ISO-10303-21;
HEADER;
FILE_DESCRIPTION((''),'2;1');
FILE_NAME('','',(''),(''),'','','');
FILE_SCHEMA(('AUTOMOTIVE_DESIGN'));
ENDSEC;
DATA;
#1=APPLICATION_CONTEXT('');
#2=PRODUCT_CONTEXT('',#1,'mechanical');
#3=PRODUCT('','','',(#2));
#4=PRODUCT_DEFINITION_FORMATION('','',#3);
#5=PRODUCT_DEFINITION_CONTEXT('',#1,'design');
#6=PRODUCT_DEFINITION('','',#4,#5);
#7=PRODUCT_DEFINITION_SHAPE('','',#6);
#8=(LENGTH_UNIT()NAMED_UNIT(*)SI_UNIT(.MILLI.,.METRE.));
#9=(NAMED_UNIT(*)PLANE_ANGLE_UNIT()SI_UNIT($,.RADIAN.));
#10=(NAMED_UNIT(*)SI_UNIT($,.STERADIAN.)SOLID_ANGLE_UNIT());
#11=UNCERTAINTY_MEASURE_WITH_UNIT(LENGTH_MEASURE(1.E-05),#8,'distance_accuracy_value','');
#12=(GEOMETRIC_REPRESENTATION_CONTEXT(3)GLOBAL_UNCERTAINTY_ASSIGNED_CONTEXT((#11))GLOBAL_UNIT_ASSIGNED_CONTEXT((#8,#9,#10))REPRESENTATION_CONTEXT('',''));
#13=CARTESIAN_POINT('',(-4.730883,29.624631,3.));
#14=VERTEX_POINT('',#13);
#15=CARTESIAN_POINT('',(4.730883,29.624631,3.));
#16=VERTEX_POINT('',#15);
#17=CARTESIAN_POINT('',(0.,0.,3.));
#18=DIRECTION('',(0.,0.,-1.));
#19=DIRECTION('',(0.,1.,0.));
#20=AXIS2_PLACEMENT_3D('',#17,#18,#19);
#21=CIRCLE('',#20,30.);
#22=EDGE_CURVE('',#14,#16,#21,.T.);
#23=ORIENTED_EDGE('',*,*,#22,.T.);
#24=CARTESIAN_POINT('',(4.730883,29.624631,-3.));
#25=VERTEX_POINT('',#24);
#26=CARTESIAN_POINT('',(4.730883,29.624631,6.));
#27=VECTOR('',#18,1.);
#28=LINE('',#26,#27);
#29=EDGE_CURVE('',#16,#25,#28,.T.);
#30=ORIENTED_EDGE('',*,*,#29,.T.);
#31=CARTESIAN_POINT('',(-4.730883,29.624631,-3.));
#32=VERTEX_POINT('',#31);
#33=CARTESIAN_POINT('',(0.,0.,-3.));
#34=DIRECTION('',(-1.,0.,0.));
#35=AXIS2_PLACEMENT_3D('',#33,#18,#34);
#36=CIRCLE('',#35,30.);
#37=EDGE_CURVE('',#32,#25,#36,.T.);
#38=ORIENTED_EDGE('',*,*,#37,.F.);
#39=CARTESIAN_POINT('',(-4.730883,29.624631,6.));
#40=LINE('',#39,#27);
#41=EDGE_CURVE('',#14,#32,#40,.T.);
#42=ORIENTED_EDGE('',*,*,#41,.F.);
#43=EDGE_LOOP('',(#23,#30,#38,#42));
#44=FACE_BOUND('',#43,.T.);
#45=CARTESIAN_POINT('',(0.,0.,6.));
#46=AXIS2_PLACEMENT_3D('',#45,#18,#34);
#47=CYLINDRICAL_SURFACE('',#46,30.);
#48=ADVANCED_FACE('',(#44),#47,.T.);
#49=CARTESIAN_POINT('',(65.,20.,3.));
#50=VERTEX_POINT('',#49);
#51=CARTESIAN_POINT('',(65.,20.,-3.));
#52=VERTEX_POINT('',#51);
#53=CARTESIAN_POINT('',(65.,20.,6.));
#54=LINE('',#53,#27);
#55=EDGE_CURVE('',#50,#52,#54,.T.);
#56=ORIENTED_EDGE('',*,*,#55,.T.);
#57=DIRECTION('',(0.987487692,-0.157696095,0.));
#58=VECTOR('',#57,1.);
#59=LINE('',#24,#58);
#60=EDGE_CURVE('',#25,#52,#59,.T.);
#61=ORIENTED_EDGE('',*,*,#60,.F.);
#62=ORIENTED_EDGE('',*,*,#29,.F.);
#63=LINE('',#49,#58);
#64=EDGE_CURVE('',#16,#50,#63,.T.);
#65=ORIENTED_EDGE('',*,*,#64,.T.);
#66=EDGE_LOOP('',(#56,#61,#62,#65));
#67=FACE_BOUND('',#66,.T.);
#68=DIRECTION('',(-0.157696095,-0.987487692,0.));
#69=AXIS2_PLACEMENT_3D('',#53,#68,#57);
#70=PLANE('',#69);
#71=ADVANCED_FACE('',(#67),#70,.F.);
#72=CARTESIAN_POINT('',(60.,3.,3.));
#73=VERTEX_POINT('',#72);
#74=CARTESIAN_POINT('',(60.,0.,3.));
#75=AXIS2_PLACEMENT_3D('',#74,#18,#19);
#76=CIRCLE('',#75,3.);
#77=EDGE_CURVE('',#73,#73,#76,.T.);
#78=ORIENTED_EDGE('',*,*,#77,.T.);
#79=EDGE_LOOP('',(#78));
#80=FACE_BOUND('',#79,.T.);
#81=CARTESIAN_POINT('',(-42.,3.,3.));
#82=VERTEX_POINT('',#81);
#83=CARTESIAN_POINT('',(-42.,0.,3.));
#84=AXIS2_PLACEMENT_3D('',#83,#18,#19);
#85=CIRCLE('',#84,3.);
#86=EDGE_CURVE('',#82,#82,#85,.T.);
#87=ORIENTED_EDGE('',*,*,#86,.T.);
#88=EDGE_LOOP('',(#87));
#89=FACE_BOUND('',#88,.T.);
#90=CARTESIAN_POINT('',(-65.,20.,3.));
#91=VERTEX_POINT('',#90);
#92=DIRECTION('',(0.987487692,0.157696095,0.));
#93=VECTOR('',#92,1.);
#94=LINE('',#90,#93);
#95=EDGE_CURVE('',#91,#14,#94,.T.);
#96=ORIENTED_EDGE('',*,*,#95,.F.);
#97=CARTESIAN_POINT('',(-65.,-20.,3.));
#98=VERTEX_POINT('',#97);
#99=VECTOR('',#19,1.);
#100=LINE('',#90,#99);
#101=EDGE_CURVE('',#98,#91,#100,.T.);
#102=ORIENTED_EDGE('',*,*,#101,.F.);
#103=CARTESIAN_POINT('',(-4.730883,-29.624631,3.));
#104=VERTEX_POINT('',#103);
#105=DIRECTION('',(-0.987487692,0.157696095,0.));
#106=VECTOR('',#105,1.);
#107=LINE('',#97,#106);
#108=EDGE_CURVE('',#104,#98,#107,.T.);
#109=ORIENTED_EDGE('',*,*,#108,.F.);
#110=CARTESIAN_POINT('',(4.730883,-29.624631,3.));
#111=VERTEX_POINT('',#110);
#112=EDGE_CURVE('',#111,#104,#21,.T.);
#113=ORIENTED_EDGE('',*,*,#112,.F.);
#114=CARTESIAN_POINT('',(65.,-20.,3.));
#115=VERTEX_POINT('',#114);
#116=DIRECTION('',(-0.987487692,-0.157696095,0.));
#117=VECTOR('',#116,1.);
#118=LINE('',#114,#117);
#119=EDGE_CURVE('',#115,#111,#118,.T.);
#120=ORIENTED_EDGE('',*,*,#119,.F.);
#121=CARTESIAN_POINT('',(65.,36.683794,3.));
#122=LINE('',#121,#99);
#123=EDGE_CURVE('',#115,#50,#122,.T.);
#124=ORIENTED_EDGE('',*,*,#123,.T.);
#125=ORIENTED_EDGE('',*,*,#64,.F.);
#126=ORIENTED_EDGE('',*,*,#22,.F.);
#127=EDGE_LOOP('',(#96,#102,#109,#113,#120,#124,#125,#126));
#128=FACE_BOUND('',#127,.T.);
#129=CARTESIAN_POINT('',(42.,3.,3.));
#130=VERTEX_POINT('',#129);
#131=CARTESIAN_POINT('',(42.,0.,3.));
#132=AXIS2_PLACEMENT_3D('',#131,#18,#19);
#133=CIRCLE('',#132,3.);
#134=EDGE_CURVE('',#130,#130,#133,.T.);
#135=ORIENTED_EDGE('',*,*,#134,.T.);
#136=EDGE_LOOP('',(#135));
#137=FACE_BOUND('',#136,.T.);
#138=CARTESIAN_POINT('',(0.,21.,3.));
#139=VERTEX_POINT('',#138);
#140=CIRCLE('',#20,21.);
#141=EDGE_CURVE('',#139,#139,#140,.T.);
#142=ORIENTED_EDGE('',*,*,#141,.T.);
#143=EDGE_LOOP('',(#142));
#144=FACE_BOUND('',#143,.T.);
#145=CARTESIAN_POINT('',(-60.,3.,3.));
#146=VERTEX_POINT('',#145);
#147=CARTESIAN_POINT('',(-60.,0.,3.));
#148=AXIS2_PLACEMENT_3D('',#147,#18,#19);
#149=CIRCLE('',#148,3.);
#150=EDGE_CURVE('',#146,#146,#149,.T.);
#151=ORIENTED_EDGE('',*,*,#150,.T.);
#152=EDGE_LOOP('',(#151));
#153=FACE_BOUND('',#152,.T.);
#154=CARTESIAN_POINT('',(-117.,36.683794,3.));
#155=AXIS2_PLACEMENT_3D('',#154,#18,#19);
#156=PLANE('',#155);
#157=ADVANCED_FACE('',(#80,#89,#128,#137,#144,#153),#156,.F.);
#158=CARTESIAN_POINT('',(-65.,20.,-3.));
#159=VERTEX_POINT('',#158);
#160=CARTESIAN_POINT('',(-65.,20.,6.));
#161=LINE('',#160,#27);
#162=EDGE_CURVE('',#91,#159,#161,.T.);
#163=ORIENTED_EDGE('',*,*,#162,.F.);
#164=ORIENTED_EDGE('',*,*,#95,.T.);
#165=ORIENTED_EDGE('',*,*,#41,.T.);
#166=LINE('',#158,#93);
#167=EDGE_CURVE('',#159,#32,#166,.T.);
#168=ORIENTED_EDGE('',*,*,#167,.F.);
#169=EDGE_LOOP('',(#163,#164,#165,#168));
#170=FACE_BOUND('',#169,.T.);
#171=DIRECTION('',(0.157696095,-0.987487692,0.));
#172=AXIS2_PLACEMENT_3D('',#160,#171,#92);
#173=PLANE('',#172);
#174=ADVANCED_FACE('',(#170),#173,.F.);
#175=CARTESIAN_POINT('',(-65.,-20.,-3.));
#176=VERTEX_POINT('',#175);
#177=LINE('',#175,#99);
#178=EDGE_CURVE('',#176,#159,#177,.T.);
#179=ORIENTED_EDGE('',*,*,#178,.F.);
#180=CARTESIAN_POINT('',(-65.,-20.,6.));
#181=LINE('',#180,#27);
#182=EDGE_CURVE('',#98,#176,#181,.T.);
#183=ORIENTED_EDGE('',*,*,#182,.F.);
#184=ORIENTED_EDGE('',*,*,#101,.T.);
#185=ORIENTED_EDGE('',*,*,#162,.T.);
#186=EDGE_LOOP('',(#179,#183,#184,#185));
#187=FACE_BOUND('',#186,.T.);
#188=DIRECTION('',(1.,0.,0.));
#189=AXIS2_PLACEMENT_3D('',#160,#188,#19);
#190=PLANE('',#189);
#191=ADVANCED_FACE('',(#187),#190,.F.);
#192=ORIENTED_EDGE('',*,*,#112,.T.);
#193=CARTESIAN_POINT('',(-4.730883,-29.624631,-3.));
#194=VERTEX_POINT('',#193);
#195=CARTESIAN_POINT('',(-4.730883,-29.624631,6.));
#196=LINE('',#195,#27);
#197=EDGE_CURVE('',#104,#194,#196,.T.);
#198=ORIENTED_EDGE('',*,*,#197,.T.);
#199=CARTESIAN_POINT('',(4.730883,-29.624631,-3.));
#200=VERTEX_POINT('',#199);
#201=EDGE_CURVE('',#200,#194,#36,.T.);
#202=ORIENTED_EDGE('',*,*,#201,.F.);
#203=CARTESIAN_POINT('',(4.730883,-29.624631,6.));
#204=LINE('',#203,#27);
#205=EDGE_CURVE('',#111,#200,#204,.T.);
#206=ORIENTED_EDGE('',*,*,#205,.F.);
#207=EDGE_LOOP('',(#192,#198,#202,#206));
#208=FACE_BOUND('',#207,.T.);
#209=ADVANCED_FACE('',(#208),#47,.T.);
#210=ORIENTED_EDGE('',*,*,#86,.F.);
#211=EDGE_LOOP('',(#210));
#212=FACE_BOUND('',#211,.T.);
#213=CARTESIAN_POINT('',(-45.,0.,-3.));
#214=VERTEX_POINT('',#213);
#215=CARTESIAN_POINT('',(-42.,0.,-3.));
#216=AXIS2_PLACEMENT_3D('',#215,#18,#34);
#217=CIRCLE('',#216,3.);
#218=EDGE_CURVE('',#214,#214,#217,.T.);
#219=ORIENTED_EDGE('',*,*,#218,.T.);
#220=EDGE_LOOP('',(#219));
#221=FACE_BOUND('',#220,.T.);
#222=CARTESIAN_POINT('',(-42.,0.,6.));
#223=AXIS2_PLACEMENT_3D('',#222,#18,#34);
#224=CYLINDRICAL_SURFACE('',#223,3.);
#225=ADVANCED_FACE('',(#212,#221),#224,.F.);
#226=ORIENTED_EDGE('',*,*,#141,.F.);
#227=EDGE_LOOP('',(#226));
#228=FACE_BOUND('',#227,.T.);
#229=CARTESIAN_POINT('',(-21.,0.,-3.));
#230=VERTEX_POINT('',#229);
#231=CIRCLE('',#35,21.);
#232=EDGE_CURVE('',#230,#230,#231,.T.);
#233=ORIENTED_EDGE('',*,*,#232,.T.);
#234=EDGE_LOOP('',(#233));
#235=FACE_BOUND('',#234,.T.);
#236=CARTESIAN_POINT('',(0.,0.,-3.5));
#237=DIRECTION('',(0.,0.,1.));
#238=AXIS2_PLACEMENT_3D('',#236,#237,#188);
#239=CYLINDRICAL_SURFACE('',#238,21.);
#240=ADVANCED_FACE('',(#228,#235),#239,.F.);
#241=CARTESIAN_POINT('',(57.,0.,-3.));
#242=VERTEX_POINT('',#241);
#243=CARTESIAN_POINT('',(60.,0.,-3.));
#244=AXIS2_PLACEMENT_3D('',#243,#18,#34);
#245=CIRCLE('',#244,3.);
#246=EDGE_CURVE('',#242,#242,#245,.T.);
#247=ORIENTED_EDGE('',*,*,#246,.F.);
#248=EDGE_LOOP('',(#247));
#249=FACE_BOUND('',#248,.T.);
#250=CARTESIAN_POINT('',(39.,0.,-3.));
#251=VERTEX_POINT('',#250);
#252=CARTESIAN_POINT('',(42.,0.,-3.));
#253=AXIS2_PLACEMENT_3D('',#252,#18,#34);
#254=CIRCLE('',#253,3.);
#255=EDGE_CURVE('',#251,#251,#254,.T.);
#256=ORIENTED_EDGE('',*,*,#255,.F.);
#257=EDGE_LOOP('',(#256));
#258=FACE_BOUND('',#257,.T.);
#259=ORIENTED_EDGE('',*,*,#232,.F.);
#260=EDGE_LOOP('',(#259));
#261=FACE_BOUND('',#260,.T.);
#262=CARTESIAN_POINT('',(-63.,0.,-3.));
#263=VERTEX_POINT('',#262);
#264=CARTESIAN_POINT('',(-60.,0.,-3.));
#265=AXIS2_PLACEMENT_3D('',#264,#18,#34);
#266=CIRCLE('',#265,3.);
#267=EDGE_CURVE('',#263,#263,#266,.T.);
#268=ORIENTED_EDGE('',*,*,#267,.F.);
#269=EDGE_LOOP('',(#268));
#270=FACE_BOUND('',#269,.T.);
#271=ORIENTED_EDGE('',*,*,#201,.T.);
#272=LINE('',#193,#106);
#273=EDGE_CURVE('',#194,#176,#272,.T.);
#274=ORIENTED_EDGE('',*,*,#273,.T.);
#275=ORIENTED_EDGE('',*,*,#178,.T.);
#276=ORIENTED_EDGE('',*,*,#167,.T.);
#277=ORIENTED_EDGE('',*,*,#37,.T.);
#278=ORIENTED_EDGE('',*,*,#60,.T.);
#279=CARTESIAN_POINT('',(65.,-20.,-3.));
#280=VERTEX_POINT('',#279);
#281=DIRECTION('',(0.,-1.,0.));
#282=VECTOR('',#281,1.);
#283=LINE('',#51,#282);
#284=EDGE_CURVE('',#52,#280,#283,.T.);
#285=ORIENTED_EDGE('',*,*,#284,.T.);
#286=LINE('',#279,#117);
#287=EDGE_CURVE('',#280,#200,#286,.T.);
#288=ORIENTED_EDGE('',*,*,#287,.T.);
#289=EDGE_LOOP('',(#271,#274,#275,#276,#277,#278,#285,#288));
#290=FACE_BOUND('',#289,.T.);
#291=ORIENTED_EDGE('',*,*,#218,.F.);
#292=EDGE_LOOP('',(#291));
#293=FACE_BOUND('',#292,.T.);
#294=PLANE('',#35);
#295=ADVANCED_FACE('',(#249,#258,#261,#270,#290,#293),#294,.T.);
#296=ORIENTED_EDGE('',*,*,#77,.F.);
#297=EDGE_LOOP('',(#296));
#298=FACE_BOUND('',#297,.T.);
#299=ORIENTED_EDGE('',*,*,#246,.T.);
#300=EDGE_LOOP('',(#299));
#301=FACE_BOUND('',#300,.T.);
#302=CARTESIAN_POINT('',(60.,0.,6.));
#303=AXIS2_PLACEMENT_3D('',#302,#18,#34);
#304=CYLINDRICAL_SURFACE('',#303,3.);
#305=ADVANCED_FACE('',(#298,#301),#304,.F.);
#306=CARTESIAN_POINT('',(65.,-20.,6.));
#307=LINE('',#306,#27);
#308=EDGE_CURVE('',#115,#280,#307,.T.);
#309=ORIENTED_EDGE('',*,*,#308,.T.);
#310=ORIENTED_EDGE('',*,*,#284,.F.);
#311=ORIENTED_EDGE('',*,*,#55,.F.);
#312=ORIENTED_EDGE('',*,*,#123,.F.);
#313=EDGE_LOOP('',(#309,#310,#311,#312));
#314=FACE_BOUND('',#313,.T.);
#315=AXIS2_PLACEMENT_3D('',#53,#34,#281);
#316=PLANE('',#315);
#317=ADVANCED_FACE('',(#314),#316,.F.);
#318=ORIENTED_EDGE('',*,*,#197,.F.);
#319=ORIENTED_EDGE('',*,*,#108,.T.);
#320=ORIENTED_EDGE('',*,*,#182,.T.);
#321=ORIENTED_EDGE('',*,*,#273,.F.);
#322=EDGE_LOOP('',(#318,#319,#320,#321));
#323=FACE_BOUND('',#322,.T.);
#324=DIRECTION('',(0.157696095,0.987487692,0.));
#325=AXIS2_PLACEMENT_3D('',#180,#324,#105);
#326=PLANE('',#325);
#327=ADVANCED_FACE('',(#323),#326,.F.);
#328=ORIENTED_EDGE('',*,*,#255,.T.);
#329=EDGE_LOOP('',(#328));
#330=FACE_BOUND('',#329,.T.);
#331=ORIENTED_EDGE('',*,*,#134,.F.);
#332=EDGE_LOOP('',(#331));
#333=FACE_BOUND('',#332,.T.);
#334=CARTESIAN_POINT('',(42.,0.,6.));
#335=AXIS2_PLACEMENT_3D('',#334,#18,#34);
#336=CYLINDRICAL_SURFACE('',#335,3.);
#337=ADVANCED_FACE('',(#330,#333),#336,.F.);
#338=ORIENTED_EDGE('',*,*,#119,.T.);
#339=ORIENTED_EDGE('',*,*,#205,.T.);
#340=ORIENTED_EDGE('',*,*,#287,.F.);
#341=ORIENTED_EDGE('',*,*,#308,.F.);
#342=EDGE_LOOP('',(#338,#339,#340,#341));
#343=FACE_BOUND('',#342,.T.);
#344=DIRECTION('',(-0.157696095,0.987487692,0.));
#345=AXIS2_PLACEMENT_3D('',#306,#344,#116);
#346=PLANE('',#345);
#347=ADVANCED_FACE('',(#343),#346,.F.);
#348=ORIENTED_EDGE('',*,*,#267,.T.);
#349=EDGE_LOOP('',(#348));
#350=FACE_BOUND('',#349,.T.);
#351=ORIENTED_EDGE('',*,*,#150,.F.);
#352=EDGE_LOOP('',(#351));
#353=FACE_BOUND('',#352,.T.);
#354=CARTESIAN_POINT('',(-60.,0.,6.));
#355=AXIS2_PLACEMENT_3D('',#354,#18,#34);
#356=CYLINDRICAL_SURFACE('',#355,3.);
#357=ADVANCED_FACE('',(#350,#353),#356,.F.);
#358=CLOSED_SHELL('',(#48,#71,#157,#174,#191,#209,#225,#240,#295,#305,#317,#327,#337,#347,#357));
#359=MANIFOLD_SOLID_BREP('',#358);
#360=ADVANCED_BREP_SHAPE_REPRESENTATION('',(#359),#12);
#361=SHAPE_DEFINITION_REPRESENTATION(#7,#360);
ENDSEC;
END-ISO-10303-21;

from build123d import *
from build123d.topology import SkipClean

# Parameters (mm, degrees)
SKETCH1_R           = 3.000000000000015
SKETCH1_R_2         = 3.0000000000000013
SKETCH1_R_3         = 3.0000000000000084
SKETCH1_R_4         = 16
BOSS_EXTRUDE1_DEPTH = 6
BOSS_EXTRUDE3_START = 3.5
SKETCH3_R           = 30.000000000000057
SKETCH3_R_2         = 21
BOSS_EXTRUDE3_DEPTH = 3.5
BOSS_EXTRUDE4_START = 3.5
SKETCH4_R           = 3.000000000000015
SKETCH4_R_2         = 3.0000000000000013
SKETCH4_R_3         = 3.0000000000000084
BOSS_EXTRUDE4_DEPTH = 3.5
SKETCH5_R           = 3.000000000000015
SKETCH5_R_2         = 3.0000000000000013
SKETCH5_R_3         = 21
SKETCH5_R_4         = 3.0000000000000084
CUT_EXTRUDE1_DEPTH  = 0.5
CUT_EXTRUDE2_DEPTH  = 182.00000000000009
SKETCH7_R           = 21
CUT_EXTRUDE3_DEPTH  = 10


with BuildPart() as part:
    # Sketch1 → Boss-Extrude1 (new body)
    with BuildSketch(Plane.XY):
        with BuildLine():
            Line((-65.00000000000001, 20), (-65, -20))
            Line((-65, -20), (-4.73088284384841, -29.624630757492685))
            ThreePointArc((-4.73088284384841, -29.624630757492685), (1.516e-14, -30.000000000000014), (4.7308828438484465, -29.624630757492678))
            Line((4.7308828438484465, -29.624630757492678), (65.00000000000003, -19.99999999999992))
            Line((65.00000000000003, -19.99999999999992), (65.00000000000001, 20))
            Line((65.00000000000001, 20), (4.730882843848428, 29.624630757492728))
            ThreePointArc((4.730882843848428, 29.624630757492728), (1.84e-15, 30.00000000000006), (-4.730882843848428, 29.624630757492728))
            Line((-4.730882843848428, 29.624630757492728), (-65.00000000000001, 20))
        make_face()
        with Locations((59.99999999998411, -4.545e-13)):
            Circle(SKETCH1_R, mode=Mode.SUBTRACT)
        with Locations((42, 0)):
            Circle(SKETCH1_R_2, mode=Mode.SUBTRACT)
        with Locations(Location((-59.99999999998411, -4.545e-13, 0), (0, 0, 180))):
            Circle(SKETCH1_R_3, mode=Mode.SUBTRACT)
        with Locations(Location((-42, 0, 0), (0, 0, 180))):
            Circle(SKETCH1_R_2, mode=Mode.SUBTRACT)
        Circle(SKETCH1_R_4, mode=Mode.SUBTRACT)
    extrude(amount=BOSS_EXTRUDE1_DEPTH)

    # Sketch3 → Boss-Extrude3 (add)
    with SkipClean():  # the faces are left unmerged after this step: merging them gives an invalid solid
        with BuildSketch(Plane(origin=(0, 0, 0), x_dir=(-1, 0, 0), z_dir=(0, 0, -1)).offset(BOSS_EXTRUDE3_START)):
            Circle(SKETCH3_R)
            Circle(SKETCH3_R_2, mode=Mode.SUBTRACT)
        extrude(amount=-BOSS_EXTRUDE3_DEPTH)

    # Sketch4 → Boss-Extrude4 (add)
    # profile 1 of 2: a face of its own
    with BuildSketch(Plane(origin=(0, 0, 0), x_dir=(-1, 0, 0), z_dir=(0, 0, -1)).offset(BOSS_EXTRUDE4_START)):
        with BuildLine():
            Line((4.730882843848405, -29.624630757492703), (65, -20))
            Line((65, -20), (65.00000000000001, 20))
            Line((65.00000000000001, 20), (4.730882843848438, 29.624630757492703))
            ThreePointArc((4.730882843848438, 29.624630757492703), (30.000000000000032, -1.998e-14), (4.730882843848405, -29.624630757492703))
        make_face()
        with Locations((59.99999999998411, -4.545e-13)):
            Circle(SKETCH4_R, mode=Mode.SUBTRACT)
        with Locations((42, 0)):
            Circle(SKETCH4_R_2, mode=Mode.SUBTRACT)
    # profile 2 of 2: a face of its own
    with BuildSketch(Plane(origin=(0, 0, 0), x_dir=(-1, 0, 0), z_dir=(0, 0, -1)).offset(BOSS_EXTRUDE4_START)):
        with BuildLine():
            Line((-4.730882843848428, 29.624630757492703), (-65.00000000000001, 20))
            Line((-65.00000000000001, 20), (-65.00000000000003, -19.99999999999992))
            Line((-65.00000000000003, -19.99999999999992), (-4.730882843848441, -29.624630757492703))
            ThreePointArc((-4.730882843848441, -29.624630757492703), (-30.000000000000036, 3.67e-15), (-4.730882843848428, 29.624630757492703))
        make_face()
        with Locations((-42, 0)):
            Circle(SKETCH4_R_2, mode=Mode.SUBTRACT)
        with Locations((-59.99999999998411, -4.545e-13)):
            Circle(SKETCH4_R_3, mode=Mode.SUBTRACT)
    extrude(amount=-BOSS_EXTRUDE4_DEPTH)

    # Sketch5 → Cut-Extrude1 (cut)
    with BuildSketch(Plane(origin=(0, 0, -3.5), x_dir=(-1, 0, 0), z_dir=(0, 0, -1))):
        with BuildLine():
            Line((-4.730882843848428, 29.624630757492703), (-65.00000000000001, 20))
            Line((-65.00000000000001, 20), (-65.00000000000003, -19.99999999999992))
            Line((-65.00000000000003, -19.99999999999992), (-4.73088284384847, -29.6246307574927))
            ThreePointArc((-4.73088284384847, -29.6246307574927), (-3.147e-14, -30.00000000000004), (4.730882843848405, -29.624630757492703))
            Line((4.730882843848405, -29.624630757492703), (65, -20))
            Line((65, -20), (65.00000000000001, 20))
            Line((65.00000000000001, 20), (4.730882843848431, 29.624630757492703))
            ThreePointArc((4.730882843848431, 29.624630757492703), (1.84e-15, 30.000000000000036), (-4.730882843848428, 29.624630757492703))
        make_face()
        with Locations((59.99999999998411, -4.545e-13)):
            Circle(SKETCH5_R, mode=Mode.SUBTRACT)
        with Locations((42, 0)):
            Circle(SKETCH5_R_2, mode=Mode.SUBTRACT)
        Circle(SKETCH5_R_3, mode=Mode.SUBTRACT)
        with Locations((-42, 0)):
            Circle(SKETCH5_R_2, mode=Mode.SUBTRACT)
        with Locations((-59.99999999998411, -4.545e-13)):
            Circle(SKETCH5_R_4, mode=Mode.SUBTRACT)
    extrude(amount=-CUT_EXTRUDE1_DEPTH, mode=Mode.SUBTRACT)

    # Sketch6 → Cut-Extrude2 (cut)
    with BuildSketch(Plane(origin=(65.00000000000003, 2.255e-14, 0), x_dir=(0, 0, -1), z_dir=(1, 3.5e-16, 0))):
        Polygon((-3, 36.68379412989912), (-2.999999999999992, -32.31620587010089), (-5.999999999999992, -32.31620587010089), (-6, 29.812315378746394), (-6, 36.68379412989912), align=None)
    extrude(amount=-CUT_EXTRUDE2_DEPTH, mode=Mode.SUBTRACT)

    # Sketch7 → Cut-Extrude3 (cut)
    with BuildSketch(Plane(origin=(0, 0, 0), x_dir=(-1, 0, 0), z_dir=(0, 0, -1))):
        with Locations(Location((0, 0, 0), (0, 0, 90))):
            Circle(SKETCH7_R)
    extrude(amount=-CUT_EXTRUDE3_DEPTH, mode=Mode.SUBTRACT)


solid = part.part
